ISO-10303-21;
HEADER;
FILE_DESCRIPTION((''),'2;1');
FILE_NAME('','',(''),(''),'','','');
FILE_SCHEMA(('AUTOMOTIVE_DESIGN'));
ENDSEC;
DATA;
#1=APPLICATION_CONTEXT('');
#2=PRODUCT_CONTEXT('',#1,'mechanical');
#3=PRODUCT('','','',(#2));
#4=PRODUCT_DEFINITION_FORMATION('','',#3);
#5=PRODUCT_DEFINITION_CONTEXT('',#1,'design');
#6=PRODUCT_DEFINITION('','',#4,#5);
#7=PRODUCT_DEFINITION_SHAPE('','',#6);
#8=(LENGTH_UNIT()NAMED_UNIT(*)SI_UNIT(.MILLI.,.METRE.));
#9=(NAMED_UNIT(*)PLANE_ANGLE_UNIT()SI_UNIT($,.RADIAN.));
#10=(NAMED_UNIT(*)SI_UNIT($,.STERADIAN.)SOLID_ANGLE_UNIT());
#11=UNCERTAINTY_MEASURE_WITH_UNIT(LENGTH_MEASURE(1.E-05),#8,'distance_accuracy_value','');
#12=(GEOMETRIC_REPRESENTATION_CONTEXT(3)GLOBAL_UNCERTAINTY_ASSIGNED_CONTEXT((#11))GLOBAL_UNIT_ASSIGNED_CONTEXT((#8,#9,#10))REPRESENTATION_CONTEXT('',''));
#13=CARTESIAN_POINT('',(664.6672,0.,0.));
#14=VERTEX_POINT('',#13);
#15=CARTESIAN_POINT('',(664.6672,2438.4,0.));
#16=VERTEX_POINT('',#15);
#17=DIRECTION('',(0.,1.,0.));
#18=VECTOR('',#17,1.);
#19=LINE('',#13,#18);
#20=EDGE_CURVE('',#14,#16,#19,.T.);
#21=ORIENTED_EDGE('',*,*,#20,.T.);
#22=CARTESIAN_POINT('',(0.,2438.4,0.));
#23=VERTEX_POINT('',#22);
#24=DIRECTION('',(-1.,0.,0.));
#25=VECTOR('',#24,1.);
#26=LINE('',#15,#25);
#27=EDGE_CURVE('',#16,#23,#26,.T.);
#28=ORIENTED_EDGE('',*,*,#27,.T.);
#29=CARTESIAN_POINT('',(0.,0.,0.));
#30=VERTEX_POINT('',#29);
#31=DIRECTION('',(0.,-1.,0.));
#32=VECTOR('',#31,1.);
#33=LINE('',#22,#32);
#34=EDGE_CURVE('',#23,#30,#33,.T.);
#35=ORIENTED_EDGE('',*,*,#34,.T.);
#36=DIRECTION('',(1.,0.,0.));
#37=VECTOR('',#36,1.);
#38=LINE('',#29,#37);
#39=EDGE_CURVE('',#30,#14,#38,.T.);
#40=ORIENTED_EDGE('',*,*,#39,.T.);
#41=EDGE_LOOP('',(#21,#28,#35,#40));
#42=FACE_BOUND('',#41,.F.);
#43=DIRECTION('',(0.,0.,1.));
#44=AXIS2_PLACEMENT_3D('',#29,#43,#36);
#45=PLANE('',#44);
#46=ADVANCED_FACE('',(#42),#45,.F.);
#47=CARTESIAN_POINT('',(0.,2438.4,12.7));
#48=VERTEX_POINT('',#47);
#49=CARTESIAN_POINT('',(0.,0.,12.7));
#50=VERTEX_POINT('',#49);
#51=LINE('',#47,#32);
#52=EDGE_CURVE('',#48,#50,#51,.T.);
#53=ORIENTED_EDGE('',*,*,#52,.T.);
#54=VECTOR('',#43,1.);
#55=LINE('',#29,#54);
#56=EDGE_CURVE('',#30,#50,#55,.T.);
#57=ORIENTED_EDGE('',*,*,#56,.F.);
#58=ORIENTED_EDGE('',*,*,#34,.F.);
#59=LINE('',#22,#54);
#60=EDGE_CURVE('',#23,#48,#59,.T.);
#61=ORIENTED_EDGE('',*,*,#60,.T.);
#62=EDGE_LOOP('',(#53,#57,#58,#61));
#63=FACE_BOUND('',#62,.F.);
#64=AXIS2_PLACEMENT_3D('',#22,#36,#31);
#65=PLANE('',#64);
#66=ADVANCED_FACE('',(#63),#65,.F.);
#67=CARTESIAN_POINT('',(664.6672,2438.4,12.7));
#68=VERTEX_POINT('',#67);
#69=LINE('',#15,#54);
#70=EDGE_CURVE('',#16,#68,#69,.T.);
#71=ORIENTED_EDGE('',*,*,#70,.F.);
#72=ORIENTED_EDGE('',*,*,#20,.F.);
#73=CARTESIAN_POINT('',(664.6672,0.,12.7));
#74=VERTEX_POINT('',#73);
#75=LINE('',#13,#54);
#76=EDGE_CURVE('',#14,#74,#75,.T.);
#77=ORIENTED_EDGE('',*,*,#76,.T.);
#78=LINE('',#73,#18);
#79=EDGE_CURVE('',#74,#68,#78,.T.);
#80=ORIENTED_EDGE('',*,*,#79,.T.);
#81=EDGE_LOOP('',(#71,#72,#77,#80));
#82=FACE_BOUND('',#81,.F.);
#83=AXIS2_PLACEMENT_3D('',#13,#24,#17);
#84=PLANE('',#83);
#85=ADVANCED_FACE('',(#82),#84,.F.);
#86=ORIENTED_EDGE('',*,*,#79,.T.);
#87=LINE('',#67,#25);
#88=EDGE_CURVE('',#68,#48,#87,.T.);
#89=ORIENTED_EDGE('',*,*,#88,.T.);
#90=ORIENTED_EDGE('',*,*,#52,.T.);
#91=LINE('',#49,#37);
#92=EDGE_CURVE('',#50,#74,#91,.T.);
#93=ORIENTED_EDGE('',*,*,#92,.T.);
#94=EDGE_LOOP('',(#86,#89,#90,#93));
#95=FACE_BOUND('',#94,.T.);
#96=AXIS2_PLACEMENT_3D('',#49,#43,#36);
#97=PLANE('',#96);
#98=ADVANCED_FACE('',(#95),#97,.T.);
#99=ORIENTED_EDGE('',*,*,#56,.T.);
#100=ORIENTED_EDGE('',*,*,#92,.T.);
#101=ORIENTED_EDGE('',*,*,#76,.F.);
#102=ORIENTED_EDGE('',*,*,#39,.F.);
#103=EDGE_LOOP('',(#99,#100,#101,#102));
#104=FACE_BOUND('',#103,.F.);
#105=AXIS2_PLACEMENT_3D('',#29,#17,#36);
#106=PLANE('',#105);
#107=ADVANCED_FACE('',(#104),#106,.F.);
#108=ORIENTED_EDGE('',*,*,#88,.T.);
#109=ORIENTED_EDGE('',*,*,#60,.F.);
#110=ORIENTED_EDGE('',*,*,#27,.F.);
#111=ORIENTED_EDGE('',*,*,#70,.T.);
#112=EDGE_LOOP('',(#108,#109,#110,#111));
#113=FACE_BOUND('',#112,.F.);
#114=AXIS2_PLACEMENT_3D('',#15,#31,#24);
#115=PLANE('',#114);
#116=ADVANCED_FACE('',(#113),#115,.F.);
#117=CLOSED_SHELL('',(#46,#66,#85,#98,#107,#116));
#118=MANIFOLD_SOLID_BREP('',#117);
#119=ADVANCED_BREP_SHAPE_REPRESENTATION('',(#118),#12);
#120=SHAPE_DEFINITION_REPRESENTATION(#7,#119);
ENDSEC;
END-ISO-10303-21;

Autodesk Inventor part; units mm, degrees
ref_plane "YZ Plane" through (0, 0, 0) normal (1, 0, 0) x (0, 1, 0)
ref_plane "XZ Plane" through (0, 0, 0) normal (0, 1, 0) x (-1, 0, 0)
ref_plane "XY Plane" through (0, 0, 0) normal (0, 0, 1) x (1, 0, 0)
sketch "Sketch1" plane through (0, 0, 0) normal (0, 0, 1) x (1, 0, 0)
  line L0 (0, 0) -> (664.6672, 0)
  line L1 (664.6672, 0) -> (664.6672, 2438.4)
  line L2 (664.6672, 2438.4) -> (0, 2438.4)
  line L3 (0, 2438.4) -> (0, 0)
  dimension "d2" = 2438.4
  dimension "d3" = 664.6672
extrude "Extrusion1" add sketch "Sketch1" along normal blind 12.7
properties part number "Sheathing_With_Dimensions_8.719_x_96_Inches" material "Wood (Birch)"
